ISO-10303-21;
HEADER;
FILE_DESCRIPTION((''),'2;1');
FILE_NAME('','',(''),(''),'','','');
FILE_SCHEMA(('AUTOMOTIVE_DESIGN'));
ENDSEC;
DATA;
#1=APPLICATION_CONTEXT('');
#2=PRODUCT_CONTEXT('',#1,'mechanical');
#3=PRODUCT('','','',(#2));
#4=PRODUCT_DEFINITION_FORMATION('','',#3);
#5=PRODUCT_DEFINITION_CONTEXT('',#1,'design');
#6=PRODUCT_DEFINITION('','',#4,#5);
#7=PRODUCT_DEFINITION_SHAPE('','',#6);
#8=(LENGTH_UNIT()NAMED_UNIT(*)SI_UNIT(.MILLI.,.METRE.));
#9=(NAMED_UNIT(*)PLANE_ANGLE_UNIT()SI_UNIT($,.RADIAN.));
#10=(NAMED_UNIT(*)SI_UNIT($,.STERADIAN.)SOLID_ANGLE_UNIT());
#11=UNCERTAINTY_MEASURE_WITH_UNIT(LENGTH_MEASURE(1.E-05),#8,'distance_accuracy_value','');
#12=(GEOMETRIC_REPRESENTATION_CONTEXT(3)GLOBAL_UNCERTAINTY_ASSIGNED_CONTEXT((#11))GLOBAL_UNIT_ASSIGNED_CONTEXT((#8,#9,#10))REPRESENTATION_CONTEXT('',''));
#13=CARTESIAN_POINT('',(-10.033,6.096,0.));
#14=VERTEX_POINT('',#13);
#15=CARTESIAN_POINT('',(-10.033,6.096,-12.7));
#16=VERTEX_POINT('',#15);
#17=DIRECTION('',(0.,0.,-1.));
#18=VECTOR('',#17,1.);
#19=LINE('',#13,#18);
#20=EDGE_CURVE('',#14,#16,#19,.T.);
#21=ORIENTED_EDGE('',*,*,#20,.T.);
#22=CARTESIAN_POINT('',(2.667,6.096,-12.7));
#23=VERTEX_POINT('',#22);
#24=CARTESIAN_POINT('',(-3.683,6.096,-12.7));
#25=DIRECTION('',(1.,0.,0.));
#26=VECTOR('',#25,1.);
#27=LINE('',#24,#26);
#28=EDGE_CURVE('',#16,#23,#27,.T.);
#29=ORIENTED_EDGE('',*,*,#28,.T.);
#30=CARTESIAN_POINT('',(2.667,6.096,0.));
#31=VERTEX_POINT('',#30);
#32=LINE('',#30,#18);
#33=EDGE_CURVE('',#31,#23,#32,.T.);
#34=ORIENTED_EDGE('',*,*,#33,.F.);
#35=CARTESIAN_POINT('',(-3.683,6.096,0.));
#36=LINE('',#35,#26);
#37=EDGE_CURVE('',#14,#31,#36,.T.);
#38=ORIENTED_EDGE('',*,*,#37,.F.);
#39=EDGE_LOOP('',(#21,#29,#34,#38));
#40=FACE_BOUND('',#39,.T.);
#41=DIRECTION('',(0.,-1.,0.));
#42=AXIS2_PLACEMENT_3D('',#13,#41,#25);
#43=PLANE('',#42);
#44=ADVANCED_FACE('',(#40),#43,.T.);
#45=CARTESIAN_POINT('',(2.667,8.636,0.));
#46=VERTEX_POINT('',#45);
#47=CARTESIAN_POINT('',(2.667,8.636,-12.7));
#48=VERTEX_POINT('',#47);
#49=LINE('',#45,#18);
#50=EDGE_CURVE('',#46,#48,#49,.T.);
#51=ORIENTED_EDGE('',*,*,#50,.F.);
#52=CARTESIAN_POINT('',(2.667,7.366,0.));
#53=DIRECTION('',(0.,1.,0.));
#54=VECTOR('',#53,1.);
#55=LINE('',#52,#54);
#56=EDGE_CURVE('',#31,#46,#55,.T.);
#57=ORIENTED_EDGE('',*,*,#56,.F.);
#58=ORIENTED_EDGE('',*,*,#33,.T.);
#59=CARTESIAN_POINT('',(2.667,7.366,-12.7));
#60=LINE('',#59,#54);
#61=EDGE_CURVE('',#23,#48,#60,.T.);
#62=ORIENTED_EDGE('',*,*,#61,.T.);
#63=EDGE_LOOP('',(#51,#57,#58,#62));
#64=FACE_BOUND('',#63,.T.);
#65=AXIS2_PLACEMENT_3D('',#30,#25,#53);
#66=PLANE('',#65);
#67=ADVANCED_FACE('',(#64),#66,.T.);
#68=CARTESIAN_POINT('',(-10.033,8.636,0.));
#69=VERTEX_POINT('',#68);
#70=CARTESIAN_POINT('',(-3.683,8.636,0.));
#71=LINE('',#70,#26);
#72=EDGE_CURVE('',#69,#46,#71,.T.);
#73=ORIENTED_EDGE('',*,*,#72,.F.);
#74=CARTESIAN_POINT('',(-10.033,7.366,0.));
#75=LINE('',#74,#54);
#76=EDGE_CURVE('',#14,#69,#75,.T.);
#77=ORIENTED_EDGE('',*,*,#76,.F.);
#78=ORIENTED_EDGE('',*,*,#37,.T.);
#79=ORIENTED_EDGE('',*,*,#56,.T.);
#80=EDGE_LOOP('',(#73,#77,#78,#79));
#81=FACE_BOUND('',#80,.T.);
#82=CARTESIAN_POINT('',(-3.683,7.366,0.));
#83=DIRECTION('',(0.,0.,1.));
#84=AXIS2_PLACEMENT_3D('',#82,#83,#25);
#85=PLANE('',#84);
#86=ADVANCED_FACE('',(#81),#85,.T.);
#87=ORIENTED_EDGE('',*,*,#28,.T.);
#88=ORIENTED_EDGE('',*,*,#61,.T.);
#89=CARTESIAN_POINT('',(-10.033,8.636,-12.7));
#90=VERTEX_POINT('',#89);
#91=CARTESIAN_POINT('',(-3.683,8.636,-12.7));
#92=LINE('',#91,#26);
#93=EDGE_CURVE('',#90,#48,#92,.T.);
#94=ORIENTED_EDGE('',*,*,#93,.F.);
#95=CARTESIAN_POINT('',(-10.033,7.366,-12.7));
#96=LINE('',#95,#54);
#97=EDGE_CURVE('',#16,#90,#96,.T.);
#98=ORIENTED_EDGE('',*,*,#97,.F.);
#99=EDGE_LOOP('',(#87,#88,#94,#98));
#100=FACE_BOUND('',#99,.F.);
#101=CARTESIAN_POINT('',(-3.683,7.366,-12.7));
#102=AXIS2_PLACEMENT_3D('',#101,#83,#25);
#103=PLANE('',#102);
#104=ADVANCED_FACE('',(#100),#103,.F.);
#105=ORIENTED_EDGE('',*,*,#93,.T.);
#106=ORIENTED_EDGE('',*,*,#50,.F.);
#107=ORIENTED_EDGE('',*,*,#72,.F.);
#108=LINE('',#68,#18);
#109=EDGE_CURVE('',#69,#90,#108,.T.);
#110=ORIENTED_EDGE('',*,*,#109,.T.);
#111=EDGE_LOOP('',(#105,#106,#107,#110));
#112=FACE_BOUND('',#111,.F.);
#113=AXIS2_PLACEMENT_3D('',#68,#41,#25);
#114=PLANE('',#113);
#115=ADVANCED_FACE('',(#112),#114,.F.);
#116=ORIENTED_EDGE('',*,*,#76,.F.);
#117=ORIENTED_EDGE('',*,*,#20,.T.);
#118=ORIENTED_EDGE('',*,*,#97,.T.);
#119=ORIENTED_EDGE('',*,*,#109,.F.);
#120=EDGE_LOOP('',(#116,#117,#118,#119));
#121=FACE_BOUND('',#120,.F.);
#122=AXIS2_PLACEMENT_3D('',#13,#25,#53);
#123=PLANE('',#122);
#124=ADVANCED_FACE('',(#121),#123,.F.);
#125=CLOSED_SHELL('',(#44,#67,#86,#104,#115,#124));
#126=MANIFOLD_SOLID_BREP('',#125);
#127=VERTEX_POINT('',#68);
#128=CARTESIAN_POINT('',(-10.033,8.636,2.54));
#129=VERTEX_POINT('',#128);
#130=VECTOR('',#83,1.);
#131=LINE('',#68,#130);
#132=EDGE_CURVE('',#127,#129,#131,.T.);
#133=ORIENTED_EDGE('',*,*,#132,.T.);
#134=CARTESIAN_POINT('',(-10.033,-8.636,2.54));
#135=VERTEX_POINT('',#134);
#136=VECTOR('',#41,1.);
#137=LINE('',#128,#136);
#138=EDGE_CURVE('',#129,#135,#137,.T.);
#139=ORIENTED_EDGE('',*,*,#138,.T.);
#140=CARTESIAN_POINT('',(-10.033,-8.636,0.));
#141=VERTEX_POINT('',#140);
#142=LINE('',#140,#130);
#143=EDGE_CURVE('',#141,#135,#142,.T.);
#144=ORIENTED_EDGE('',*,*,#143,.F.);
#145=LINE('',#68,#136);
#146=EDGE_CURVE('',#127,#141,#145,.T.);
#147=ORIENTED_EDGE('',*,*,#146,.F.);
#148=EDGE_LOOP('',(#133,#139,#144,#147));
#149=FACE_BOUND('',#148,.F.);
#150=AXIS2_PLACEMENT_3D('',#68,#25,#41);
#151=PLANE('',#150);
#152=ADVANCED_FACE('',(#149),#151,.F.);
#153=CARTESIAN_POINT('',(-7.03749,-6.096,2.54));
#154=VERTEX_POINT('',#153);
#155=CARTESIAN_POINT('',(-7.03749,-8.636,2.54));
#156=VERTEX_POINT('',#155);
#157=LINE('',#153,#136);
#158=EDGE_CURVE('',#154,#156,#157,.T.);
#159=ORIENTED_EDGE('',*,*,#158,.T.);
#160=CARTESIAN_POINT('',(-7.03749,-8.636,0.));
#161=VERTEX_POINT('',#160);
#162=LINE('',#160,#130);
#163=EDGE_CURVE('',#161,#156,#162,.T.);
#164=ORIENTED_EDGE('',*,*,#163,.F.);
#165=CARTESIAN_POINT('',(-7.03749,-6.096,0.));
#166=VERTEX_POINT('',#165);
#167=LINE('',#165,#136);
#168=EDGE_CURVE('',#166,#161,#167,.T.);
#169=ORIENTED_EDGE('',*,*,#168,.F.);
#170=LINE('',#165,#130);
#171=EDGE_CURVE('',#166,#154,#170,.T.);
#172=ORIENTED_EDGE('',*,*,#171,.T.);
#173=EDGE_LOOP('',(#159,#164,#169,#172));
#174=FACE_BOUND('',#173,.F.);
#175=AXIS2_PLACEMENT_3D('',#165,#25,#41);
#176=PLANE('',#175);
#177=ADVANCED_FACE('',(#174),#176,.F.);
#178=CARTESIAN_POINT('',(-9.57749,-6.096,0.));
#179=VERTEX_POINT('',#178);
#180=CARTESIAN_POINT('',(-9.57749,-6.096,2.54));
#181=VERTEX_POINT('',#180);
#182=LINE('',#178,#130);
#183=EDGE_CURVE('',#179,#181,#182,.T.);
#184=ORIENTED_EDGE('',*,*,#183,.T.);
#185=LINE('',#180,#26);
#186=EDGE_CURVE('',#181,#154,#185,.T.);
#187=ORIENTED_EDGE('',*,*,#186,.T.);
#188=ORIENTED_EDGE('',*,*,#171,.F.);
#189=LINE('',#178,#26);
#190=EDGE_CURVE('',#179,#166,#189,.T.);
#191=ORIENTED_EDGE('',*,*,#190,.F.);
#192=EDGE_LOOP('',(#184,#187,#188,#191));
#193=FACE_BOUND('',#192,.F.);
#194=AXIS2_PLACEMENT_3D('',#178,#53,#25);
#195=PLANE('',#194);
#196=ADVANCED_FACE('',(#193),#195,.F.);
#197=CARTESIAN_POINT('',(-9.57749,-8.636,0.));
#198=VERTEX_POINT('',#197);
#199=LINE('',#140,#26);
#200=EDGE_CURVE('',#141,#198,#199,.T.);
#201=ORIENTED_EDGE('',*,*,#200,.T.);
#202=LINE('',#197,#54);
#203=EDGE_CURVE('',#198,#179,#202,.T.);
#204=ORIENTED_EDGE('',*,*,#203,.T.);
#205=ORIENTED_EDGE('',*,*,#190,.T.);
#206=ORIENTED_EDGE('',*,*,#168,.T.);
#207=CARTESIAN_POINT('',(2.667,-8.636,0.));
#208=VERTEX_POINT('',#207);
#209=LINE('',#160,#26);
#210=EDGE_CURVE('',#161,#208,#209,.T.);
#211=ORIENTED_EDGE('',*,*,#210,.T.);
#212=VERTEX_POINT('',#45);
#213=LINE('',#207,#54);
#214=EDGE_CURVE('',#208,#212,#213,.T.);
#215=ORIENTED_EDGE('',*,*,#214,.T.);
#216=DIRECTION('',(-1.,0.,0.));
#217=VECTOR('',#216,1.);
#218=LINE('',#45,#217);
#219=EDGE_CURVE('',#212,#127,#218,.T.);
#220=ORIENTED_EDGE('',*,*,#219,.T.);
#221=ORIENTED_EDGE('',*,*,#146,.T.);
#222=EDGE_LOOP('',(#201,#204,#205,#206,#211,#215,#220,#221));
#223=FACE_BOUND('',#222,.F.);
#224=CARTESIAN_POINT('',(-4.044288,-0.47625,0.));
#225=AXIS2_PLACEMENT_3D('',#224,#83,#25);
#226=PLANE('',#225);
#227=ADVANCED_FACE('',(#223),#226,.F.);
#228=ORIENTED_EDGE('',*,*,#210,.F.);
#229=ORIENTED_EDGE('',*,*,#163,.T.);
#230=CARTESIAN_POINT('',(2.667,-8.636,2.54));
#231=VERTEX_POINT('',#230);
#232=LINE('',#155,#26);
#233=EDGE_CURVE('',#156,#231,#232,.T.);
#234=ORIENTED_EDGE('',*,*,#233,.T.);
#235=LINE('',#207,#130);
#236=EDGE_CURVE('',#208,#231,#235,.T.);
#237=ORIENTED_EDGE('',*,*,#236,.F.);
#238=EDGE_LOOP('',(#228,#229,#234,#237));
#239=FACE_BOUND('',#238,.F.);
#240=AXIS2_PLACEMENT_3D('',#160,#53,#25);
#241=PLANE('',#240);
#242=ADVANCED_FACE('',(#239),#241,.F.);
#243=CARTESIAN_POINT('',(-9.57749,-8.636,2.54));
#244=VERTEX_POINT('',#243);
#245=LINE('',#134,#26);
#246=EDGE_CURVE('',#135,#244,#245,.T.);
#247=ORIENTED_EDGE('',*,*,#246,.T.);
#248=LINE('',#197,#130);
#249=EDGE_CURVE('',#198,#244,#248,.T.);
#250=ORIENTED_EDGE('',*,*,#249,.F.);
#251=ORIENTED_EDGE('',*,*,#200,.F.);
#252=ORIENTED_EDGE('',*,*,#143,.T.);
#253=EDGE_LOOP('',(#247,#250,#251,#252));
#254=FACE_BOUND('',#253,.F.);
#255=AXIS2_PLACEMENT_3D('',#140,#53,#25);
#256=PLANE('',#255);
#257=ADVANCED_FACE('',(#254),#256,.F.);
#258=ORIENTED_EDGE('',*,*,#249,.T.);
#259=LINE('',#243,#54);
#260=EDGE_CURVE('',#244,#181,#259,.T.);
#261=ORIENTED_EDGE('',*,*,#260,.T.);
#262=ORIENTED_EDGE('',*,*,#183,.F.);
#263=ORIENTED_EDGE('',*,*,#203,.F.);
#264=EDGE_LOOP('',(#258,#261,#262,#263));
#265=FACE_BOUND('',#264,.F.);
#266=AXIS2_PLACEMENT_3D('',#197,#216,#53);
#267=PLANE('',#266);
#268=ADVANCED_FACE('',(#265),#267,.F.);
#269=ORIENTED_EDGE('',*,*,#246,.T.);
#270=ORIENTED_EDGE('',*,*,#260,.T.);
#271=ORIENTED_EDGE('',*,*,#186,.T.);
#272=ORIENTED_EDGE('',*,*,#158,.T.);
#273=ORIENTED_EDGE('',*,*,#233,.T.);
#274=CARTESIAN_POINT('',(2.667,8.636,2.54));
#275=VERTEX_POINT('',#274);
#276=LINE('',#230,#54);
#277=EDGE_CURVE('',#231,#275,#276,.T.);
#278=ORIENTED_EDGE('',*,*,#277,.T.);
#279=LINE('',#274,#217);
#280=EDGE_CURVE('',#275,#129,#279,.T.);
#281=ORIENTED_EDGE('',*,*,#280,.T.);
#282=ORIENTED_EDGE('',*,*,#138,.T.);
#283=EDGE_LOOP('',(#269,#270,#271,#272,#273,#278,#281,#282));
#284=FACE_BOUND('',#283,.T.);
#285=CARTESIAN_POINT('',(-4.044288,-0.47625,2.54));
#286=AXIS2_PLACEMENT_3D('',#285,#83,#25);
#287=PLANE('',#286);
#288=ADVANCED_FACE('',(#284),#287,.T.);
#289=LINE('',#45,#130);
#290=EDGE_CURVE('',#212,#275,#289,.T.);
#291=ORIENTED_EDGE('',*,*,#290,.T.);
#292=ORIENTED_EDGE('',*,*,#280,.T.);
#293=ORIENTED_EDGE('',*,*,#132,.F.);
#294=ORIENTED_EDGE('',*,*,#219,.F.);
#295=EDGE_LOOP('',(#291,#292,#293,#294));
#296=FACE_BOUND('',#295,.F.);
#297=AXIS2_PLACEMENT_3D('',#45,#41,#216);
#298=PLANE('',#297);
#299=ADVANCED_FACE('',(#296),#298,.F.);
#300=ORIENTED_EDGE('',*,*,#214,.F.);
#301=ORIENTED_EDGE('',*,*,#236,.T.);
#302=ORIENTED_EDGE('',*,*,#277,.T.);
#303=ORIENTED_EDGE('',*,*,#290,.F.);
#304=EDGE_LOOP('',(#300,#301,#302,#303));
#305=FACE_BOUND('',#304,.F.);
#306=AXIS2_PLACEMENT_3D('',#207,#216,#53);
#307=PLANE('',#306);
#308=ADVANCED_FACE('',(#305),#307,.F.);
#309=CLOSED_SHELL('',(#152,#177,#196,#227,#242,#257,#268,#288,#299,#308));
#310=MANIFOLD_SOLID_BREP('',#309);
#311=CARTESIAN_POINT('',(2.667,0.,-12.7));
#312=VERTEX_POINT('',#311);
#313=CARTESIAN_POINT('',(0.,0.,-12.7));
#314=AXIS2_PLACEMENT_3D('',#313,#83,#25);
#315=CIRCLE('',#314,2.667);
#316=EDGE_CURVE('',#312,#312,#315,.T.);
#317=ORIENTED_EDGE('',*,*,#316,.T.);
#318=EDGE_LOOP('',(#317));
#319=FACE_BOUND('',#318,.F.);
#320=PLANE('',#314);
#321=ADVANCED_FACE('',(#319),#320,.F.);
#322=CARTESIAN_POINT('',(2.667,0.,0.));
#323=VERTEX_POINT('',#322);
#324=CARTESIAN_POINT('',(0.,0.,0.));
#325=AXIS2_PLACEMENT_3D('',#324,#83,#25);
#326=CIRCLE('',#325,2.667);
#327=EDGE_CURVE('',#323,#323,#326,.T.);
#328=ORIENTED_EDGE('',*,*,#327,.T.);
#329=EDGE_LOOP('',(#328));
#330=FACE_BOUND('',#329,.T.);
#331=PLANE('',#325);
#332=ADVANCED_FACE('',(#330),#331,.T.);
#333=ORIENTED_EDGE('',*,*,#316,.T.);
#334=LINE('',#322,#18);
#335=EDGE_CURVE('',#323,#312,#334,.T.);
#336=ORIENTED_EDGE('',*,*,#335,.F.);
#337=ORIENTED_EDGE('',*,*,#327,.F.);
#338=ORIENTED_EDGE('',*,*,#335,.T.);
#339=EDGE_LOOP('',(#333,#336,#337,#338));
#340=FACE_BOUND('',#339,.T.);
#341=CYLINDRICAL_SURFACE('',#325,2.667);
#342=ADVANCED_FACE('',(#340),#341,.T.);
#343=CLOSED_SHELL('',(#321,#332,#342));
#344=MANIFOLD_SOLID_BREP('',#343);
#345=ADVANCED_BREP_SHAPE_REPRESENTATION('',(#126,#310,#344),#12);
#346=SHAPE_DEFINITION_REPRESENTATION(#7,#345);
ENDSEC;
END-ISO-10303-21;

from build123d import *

# Parameters (mm, degrees)
F0_R     = 2.667
F0_W     = 12.7
F0_H     = 2.54
F1_DEPTH = 12.7
F3_DEPTH = 2.54


with BuildPart() as f1:
    # F0 (on Top) → F1 (new body)
    with BuildSketch(Plane.XY):
        Circle(F0_R)
        with Locations((-3.683, 7.366)):
            Rectangle(F0_W, F0_H)
    extrude(amount=-F1_DEPTH)


with BuildPart() as f3:
    # F2 (on Top) → F3 (new body)
    with BuildSketch(Plane.XY):
        Polygon((2.667, -8.636), (2.667, 8.636), (-10.033, 8.636), (-10.033, -8.636), (-9.57749, -8.636), (-9.57749, -6.096), (-7.03749, -6.096), (-7.03749, -8.636), align=None)
    extrude(amount=F3_DEPTH)


solid = Compound([f1.part, f3.part])
